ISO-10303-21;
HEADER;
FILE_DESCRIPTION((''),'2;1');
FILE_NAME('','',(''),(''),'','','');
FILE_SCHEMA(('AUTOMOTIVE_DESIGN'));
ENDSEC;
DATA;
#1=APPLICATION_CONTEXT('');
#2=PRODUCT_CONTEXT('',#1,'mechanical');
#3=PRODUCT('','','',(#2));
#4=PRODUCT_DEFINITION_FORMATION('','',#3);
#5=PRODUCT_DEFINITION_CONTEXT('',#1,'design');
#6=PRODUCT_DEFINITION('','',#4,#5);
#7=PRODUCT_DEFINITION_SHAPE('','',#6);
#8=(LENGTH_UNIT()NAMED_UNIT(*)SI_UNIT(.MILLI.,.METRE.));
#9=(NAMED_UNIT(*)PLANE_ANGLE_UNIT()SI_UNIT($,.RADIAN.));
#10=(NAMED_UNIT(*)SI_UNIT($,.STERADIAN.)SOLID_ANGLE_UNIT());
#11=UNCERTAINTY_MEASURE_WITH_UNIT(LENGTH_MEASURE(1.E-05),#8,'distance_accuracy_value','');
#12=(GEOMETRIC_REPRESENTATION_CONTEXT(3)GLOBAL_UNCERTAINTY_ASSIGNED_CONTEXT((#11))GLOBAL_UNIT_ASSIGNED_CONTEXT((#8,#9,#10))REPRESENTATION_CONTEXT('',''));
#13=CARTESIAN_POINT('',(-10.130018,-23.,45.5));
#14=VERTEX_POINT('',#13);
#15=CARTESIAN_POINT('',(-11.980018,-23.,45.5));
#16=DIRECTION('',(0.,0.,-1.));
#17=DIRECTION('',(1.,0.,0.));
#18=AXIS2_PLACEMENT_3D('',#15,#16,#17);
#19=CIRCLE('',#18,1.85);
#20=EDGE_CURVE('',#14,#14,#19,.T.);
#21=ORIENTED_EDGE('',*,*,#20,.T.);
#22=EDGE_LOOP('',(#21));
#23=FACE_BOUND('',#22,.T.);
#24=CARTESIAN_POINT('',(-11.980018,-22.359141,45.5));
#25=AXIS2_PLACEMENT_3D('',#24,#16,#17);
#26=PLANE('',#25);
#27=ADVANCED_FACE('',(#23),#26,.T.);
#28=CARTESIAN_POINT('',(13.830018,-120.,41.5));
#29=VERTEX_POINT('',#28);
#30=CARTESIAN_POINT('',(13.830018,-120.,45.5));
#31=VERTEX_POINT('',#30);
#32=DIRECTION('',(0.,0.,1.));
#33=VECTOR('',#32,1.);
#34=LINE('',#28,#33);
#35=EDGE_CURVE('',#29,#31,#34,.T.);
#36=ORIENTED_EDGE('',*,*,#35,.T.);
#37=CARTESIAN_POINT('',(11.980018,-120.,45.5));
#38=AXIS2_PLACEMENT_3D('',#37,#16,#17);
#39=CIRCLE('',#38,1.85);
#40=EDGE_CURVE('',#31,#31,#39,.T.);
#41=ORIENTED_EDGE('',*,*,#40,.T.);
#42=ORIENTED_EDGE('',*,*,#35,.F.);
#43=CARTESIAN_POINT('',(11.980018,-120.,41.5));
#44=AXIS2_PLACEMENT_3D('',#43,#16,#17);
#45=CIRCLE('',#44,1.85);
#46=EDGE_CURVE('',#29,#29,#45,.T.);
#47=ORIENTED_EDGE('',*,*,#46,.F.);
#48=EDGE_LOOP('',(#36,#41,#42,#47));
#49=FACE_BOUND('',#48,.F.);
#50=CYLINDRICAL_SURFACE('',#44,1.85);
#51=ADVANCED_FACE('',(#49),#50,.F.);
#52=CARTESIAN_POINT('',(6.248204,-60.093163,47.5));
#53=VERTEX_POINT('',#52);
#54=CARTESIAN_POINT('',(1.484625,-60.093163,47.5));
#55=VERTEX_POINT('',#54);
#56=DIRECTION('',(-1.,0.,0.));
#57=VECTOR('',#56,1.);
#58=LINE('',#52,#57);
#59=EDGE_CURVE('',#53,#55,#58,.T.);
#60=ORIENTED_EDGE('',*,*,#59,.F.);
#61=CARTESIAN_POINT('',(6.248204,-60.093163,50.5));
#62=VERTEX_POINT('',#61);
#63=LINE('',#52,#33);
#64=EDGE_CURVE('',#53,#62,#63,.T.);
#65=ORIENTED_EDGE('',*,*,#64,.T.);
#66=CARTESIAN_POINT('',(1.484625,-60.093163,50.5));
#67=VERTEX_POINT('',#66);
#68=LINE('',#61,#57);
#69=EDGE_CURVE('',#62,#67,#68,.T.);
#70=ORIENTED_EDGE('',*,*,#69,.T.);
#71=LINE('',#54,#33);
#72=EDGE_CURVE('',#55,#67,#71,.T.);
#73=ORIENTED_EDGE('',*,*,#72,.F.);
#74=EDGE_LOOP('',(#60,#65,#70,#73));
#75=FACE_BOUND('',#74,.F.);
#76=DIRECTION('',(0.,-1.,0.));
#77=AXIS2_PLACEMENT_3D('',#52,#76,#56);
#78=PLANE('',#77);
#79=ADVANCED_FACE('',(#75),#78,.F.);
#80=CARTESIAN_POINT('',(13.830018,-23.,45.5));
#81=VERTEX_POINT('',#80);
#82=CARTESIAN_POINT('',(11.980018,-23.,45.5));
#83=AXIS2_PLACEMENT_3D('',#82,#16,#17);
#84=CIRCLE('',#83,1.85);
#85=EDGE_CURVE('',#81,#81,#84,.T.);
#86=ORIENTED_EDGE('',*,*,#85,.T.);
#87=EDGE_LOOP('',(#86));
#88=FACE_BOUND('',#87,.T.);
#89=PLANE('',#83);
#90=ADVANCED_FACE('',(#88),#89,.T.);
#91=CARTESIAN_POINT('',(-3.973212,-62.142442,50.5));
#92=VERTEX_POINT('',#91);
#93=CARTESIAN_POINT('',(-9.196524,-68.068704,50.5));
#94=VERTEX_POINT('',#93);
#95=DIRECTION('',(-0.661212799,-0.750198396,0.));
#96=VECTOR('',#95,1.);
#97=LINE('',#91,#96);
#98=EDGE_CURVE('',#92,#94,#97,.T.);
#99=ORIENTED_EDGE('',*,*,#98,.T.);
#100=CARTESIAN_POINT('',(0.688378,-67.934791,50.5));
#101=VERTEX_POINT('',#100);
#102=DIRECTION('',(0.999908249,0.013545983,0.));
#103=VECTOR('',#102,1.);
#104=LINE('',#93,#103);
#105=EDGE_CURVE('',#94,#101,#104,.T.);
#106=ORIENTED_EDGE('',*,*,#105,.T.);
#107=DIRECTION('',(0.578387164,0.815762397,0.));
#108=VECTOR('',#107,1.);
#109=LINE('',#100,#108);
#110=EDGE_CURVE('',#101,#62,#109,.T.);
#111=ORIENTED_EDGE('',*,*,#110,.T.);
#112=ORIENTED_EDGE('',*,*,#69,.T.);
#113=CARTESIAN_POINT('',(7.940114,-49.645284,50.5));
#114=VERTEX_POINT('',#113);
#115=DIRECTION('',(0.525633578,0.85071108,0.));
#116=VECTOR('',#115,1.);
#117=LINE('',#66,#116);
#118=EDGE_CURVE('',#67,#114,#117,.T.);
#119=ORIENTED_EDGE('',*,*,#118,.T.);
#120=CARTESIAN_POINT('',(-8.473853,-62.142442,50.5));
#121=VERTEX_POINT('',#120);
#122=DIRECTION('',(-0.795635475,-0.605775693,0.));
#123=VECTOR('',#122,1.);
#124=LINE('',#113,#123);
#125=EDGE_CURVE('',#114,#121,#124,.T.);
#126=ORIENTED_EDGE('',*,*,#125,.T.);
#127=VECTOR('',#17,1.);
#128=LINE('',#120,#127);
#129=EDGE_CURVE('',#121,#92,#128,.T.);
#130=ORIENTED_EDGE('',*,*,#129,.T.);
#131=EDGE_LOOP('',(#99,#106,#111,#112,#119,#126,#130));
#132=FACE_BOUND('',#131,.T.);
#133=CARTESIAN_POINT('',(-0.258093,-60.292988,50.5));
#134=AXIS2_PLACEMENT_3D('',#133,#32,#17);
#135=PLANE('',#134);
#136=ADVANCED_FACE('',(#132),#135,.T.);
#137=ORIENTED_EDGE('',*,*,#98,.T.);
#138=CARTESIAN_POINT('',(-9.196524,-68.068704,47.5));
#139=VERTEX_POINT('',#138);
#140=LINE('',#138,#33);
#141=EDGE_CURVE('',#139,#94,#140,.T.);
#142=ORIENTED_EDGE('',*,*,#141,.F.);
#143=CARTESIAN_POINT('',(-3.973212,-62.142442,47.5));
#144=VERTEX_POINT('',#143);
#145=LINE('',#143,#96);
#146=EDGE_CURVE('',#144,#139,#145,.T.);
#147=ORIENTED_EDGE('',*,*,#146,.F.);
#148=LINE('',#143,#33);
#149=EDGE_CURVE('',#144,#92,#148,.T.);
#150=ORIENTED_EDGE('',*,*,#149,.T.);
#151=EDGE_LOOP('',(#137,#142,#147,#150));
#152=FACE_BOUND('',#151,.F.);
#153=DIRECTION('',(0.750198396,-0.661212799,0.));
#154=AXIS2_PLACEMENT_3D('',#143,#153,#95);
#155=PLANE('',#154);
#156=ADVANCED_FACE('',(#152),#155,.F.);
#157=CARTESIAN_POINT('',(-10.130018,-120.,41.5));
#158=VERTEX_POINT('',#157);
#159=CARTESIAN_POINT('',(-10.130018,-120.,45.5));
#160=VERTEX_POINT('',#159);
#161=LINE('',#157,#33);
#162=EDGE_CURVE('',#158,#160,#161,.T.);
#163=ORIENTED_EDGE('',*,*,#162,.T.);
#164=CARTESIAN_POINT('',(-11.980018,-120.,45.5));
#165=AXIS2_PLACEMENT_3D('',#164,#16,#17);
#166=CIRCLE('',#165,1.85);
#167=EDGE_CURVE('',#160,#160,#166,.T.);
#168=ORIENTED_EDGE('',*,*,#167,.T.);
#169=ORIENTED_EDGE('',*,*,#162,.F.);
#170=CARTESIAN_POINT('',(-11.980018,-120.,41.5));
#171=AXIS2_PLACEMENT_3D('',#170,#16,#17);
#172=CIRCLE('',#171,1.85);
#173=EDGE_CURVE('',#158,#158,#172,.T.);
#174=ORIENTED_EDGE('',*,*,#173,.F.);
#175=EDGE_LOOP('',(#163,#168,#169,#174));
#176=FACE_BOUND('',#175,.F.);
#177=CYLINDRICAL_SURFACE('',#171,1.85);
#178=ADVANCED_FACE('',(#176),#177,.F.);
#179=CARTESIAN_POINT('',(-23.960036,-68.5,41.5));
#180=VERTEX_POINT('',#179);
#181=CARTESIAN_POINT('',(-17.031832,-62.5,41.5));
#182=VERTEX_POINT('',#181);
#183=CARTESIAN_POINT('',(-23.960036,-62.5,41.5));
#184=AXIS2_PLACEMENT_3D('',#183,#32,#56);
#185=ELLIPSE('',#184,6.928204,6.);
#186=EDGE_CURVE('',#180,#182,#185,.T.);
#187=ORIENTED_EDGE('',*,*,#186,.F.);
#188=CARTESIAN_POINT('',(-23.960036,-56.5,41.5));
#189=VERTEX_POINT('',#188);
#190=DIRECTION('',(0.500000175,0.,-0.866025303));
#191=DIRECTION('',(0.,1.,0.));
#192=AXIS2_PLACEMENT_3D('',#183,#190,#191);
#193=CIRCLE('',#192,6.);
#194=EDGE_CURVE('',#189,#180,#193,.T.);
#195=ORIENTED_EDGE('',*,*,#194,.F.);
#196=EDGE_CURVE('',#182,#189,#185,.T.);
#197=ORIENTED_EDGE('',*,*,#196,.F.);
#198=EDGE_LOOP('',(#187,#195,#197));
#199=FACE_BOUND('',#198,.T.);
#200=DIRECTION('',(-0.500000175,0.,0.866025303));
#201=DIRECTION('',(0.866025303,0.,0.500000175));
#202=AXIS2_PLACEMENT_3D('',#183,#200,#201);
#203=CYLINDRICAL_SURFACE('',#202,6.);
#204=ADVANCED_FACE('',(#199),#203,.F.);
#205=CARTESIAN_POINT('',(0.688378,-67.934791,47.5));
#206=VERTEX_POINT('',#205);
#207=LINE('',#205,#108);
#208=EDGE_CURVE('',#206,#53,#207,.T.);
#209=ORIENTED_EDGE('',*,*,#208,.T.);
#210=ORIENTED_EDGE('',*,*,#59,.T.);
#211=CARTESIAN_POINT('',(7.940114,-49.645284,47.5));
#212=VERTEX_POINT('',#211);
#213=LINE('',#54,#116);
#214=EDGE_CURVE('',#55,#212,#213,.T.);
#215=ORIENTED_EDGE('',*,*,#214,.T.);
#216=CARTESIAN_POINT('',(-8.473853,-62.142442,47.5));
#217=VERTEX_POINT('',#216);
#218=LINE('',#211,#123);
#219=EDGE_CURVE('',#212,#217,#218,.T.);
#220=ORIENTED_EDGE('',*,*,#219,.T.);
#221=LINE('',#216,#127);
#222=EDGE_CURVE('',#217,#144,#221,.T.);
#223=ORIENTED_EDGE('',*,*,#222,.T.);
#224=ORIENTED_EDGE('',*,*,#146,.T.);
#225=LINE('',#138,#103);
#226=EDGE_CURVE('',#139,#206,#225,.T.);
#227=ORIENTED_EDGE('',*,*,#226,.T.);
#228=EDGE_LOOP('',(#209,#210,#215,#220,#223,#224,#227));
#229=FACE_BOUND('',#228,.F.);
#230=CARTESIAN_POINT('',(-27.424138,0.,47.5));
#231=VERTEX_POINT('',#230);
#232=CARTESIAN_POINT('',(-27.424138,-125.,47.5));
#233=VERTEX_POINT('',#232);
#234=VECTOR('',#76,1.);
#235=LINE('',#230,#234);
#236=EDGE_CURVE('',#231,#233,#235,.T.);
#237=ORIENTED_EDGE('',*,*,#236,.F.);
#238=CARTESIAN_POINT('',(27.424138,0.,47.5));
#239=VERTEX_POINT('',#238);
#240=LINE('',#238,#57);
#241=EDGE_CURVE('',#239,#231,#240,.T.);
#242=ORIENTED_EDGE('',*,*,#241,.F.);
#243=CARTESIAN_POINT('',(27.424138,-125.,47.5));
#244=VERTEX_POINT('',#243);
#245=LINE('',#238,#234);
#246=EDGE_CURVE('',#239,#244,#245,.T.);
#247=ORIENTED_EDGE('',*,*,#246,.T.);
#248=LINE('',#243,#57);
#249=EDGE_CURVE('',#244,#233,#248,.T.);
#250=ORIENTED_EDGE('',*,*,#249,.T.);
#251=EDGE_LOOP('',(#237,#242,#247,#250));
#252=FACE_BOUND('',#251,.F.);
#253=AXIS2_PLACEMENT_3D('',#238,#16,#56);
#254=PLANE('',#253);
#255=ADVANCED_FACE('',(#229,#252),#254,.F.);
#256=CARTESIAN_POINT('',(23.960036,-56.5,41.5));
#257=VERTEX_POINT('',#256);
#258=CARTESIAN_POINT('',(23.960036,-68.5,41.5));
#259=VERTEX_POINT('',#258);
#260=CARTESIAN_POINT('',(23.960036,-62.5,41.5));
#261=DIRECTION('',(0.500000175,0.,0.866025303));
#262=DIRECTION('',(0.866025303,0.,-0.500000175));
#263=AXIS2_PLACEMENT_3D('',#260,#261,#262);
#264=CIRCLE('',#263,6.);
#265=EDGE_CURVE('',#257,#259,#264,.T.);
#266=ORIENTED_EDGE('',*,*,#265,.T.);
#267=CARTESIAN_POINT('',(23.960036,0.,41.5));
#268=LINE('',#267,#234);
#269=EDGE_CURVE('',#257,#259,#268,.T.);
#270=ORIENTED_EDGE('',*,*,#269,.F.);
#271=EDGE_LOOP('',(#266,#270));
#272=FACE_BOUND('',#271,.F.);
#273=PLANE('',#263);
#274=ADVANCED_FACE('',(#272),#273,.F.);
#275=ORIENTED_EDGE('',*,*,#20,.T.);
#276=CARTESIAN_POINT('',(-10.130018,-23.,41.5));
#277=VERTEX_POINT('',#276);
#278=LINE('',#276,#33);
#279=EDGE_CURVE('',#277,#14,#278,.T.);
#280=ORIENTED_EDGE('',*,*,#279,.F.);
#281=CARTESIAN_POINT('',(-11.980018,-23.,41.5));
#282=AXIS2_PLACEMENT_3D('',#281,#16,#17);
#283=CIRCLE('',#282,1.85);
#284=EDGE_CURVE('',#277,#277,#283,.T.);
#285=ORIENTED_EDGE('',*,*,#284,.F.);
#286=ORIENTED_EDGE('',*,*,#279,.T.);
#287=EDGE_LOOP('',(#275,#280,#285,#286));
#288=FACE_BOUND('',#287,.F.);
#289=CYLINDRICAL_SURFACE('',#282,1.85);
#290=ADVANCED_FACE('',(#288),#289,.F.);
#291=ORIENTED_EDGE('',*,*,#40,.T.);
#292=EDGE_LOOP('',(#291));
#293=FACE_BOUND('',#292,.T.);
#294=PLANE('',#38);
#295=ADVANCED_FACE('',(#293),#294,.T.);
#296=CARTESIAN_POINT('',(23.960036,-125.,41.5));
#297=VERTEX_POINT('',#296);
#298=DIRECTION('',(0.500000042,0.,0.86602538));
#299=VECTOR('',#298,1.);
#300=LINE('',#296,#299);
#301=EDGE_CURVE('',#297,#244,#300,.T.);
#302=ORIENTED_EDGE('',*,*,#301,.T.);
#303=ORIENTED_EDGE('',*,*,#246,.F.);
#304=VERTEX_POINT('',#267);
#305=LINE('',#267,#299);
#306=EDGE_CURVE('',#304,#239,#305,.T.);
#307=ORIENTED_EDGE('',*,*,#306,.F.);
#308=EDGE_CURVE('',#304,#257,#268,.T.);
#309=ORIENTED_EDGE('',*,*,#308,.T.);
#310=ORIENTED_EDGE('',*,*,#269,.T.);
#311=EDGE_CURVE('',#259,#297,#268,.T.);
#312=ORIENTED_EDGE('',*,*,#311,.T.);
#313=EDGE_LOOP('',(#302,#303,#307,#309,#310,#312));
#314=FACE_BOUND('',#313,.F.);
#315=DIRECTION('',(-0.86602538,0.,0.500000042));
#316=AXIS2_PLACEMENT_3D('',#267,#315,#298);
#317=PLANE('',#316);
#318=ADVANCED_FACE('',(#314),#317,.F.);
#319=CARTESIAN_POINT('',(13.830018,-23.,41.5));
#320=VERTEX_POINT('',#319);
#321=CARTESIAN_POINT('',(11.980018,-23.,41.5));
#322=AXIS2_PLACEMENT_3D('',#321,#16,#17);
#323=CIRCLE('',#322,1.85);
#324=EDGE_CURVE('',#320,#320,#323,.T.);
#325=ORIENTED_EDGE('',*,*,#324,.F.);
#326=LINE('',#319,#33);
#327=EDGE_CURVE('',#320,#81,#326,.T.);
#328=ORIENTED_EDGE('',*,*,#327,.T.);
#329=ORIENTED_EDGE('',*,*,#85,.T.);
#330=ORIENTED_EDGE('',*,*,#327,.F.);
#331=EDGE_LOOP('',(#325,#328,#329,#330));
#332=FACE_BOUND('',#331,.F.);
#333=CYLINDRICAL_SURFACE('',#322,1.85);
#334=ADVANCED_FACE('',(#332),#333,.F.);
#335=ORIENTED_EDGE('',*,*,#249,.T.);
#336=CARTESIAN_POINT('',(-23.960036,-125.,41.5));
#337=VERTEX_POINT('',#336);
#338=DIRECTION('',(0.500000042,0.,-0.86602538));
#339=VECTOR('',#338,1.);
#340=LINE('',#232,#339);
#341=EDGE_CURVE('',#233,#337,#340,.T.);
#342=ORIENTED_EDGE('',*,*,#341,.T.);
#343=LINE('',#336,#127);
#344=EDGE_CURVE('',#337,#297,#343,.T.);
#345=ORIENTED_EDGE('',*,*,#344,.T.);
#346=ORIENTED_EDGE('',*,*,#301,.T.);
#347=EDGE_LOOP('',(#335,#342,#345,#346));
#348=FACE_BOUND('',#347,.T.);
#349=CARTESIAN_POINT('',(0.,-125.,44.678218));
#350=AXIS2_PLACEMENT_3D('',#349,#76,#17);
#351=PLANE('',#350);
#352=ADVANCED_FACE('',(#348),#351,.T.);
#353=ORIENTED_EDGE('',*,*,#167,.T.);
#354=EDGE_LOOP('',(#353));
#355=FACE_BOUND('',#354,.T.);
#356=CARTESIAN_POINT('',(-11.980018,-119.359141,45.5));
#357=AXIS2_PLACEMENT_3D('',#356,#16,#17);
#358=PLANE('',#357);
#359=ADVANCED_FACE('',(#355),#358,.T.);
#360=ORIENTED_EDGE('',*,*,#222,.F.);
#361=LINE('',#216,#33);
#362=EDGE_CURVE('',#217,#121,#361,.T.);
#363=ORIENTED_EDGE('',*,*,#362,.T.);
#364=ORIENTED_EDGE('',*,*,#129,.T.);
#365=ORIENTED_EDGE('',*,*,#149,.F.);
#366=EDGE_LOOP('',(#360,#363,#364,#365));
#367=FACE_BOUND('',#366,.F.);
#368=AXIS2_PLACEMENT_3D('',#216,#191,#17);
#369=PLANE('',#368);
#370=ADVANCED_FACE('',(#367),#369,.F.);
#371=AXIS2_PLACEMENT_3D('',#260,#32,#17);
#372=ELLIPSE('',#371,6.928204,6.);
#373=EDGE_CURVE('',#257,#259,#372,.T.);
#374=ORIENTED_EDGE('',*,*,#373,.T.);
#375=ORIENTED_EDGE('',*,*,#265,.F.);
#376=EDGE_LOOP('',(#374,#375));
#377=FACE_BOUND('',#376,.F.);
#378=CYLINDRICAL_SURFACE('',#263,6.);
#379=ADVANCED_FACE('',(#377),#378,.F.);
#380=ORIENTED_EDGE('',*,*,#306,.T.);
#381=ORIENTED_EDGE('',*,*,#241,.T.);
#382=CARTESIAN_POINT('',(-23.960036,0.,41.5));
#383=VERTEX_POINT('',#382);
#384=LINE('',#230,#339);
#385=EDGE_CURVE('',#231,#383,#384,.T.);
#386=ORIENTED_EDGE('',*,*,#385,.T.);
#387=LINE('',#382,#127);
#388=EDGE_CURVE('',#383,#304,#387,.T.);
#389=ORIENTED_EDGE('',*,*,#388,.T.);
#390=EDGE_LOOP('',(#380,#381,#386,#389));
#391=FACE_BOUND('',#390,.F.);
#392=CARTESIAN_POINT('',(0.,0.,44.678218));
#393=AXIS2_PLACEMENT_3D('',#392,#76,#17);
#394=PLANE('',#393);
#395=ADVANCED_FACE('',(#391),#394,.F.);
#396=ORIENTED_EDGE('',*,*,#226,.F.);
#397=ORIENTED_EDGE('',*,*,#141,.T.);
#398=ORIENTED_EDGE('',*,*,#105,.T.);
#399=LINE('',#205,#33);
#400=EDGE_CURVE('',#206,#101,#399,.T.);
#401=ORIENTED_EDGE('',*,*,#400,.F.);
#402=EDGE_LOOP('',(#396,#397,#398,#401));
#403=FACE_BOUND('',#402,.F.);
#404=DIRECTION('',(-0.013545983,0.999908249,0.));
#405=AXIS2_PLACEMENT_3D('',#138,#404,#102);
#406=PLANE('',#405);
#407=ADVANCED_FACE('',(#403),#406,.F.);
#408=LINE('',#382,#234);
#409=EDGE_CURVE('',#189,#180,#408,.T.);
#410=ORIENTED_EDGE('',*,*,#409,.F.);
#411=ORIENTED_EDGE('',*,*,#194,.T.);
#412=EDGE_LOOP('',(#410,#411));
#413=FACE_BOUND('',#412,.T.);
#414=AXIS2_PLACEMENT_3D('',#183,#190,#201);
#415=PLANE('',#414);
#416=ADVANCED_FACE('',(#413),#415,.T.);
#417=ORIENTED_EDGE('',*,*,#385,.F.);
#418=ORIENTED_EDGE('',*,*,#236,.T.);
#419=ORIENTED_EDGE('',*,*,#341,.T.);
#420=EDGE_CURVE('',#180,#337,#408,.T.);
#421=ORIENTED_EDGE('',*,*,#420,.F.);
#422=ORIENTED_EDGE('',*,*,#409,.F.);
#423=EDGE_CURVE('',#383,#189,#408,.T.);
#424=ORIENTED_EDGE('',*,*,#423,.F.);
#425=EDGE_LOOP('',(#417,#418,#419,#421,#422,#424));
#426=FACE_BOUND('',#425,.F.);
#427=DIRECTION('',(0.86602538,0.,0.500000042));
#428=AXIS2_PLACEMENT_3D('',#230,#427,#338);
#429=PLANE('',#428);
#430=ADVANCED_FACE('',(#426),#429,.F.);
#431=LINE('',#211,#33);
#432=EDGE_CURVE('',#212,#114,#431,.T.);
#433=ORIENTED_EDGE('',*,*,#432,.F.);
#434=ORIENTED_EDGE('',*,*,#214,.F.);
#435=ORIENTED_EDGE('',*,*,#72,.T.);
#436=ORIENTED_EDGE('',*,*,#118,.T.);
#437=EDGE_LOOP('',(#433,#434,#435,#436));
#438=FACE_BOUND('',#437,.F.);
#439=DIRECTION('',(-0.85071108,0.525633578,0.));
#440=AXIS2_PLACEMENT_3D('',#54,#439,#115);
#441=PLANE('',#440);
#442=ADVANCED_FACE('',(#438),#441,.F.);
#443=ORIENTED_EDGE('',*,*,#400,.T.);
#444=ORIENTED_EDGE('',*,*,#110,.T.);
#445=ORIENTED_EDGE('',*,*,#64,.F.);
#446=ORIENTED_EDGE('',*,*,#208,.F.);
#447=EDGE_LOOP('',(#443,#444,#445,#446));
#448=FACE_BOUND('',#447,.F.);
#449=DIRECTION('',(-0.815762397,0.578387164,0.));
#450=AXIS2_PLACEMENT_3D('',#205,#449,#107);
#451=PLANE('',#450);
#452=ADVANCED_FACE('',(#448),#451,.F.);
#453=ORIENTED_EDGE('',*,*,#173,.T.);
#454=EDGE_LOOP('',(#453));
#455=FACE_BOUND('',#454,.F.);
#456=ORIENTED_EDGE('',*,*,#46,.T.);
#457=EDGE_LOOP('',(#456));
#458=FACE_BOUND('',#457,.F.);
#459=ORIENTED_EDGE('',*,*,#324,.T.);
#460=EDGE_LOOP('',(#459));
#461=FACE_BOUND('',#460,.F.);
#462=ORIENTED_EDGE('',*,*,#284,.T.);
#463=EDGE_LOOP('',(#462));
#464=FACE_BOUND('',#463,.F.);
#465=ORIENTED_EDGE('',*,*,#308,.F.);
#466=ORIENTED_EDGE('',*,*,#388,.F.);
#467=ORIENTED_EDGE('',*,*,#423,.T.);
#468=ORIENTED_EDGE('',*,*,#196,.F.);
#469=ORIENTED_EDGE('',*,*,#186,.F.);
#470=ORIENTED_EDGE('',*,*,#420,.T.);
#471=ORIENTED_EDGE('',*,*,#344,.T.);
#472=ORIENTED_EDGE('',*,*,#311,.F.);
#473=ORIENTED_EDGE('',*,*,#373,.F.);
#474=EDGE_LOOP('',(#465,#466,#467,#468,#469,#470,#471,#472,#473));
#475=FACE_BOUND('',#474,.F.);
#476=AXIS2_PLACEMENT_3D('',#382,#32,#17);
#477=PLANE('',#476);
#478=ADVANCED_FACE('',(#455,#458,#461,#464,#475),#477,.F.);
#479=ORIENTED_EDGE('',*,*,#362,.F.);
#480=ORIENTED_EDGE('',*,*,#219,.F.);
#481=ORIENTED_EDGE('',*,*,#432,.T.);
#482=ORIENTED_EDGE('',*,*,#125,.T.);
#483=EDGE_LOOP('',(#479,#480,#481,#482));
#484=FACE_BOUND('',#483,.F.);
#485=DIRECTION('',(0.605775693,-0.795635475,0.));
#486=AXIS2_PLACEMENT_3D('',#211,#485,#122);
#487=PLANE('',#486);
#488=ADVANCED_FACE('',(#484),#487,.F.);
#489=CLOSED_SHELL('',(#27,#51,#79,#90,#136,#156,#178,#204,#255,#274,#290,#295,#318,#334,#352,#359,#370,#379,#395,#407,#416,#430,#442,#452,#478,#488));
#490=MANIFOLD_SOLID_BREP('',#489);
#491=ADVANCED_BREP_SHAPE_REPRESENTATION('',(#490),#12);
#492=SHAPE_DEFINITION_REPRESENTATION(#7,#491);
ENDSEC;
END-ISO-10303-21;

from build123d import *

# Parameters (mm, degrees)
F1_DEPTH  = 125
F2_R      = 1.85
F3_DEPTH  = 4
F5_DEPTH  = 3
F7_R      = 6
F8_DEPTH  = 25
F10_R     = 6
F11_DEPTH = 25


with BuildPart() as f1:
    # F0 (on Front) → F1 (new body)
    with BuildSketch(Plane.XZ):
        Polygon((27.424138, 47.5), (-27.424138, 47.5), (-23.960036, 41.5), (23.960036, 41.5), align=None)
    extrude(amount=F1_DEPTH)

    # F2 (on face) → F3 (cut)
    with BuildSketch(Plane(origin=(0, 0, 41.5), x_dir=(1, 0, 0), z_dir=(0, 0, -1))):
        with BuildLine():
            ThreePointArc((-13.830018, 120), (-11.980018, 118.15), (-10.130018, 120))
            Line((-10.130018, 120), (-13.830018, 120))
        make_face()
        with BuildLine():
            Line((-13.830018, 120), (-10.130018, 120))
            ThreePointArc((-10.130018, 120), (-11.980018, 121.85), (-13.830018, 120))
        make_face()
        with Locations((11.980018, 120)):
            Circle(F2_R)
        with BuildLine():
            ThreePointArc((-13.830018, 23), (-11.980018, 21.15), (-10.130018, 23))
            Line((-10.130018, 23), (-13.830018, 23))
        make_face()
        with BuildLine():
            Line((-13.830018, 23), (-10.130018, 23))
            ThreePointArc((-10.130018, 23), (-11.980018, 24.85), (-13.830018, 23))
        make_face()
        with Locations((11.980018, 23)):
            Circle(F2_R)
    extrude(amount=-F3_DEPTH, mode=Mode.SUBTRACT)

    # F4 (on face) → F5 (join)
    with BuildSketch(Plane.XY.offset(47.5)):
        Polygon((-3.973212, -62.142442), (-9.196524, -68.068704), (0.688378, -67.934791), (6.248204, -60.093163), (1.484625, -60.093163), (7.940114, -49.645284), (-8.473853, -62.142442), align=None)
    extrude(amount=F5_DEPTH)

    # F7 (on face) → F8 (cut)
    with BuildSketch(Plane(origin=(-23.960036, 0, 41.5), x_dir=(0.866025, 0, 0.5), z_dir=(0.5, 0, -0.866025))):
        with Locations((0, 62.5)):
            Circle(F7_R)
    extrude(amount=F8_DEPTH, mode=Mode.SUBTRACT)

    # F10 (on face) → F11 (cut)
    with BuildSketch(Plane(origin=(23.960036, 0, 41.5), x_dir=(0.866025, 0, -0.5), z_dir=(0.5, 0, 0.866025))):
        with Locations((0, -62.5)):
            Circle(F10_R)
    extrude(amount=-F11_DEPTH, mode=Mode.SUBTRACT)


solid = f1.part
